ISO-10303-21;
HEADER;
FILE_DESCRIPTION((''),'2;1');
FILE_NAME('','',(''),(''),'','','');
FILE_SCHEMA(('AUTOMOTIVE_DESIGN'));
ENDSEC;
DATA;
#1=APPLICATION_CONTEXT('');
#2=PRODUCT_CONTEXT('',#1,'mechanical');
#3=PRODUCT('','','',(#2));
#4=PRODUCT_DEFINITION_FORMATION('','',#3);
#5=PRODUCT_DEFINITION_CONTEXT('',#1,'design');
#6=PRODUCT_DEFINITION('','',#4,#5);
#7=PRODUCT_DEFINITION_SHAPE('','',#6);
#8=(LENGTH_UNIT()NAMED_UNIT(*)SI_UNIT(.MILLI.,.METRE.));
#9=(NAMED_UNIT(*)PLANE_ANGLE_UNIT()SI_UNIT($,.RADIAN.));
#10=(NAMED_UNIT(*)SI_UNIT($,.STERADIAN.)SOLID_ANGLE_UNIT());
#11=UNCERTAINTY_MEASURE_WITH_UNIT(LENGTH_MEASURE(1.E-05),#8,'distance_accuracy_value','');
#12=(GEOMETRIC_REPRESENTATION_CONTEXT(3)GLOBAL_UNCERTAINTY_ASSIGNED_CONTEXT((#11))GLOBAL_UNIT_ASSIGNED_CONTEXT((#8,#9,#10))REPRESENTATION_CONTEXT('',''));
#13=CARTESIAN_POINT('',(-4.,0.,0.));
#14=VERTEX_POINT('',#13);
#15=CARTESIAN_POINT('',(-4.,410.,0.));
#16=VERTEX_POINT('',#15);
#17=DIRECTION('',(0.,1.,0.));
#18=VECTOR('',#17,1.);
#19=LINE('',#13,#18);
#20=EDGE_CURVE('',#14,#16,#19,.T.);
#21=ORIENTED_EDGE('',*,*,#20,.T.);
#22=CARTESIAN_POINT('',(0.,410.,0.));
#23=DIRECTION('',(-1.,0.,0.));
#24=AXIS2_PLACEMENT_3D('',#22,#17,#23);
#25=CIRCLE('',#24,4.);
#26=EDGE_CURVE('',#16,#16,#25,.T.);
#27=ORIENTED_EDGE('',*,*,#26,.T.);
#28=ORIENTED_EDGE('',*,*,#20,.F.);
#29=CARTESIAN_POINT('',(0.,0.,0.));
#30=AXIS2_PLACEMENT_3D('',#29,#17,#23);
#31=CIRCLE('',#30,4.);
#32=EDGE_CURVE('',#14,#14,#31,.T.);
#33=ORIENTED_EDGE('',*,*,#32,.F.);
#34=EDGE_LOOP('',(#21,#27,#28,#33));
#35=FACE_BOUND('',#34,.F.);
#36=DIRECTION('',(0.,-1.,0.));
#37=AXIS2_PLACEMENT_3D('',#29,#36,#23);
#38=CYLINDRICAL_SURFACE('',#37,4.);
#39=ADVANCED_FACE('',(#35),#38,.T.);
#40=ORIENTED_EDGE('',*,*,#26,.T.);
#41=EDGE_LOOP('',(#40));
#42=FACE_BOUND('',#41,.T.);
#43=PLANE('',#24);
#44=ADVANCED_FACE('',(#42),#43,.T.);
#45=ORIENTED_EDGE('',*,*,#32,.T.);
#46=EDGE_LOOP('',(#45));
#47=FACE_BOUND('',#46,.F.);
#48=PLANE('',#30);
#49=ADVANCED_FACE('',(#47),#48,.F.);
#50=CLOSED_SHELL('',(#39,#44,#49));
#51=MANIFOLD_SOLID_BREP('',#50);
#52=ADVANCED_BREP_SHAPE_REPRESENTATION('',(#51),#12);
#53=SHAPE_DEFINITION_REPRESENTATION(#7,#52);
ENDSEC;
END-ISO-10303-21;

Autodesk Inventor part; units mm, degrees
ref_plane "YZ Plane" through (0, 0, 0) normal (1, 0, 0) x (0, 1, 0)
ref_plane "XZ Plane" through (0, 0, 0) normal (0, 1, 0) x (-1, 0, 0)
ref_plane "XY Plane" through (0, 0, 0) normal (0, 0, 1) x (1, 0, 0)
sketch "Sketch1" plane through (0, 0, 0) normal (0, 1, 0) x (-1, 0, 0)
  circle A0 centre (0, 0) radius 4
  dimension "d0" = 8
extrude "Extrusion1" add sketch "Sketch1" along normal blind 410
thread "Thread1" size "M8x1.25" class "6g" standard "ANSI Metric M Profile" full length
properties part number "M8x410"
